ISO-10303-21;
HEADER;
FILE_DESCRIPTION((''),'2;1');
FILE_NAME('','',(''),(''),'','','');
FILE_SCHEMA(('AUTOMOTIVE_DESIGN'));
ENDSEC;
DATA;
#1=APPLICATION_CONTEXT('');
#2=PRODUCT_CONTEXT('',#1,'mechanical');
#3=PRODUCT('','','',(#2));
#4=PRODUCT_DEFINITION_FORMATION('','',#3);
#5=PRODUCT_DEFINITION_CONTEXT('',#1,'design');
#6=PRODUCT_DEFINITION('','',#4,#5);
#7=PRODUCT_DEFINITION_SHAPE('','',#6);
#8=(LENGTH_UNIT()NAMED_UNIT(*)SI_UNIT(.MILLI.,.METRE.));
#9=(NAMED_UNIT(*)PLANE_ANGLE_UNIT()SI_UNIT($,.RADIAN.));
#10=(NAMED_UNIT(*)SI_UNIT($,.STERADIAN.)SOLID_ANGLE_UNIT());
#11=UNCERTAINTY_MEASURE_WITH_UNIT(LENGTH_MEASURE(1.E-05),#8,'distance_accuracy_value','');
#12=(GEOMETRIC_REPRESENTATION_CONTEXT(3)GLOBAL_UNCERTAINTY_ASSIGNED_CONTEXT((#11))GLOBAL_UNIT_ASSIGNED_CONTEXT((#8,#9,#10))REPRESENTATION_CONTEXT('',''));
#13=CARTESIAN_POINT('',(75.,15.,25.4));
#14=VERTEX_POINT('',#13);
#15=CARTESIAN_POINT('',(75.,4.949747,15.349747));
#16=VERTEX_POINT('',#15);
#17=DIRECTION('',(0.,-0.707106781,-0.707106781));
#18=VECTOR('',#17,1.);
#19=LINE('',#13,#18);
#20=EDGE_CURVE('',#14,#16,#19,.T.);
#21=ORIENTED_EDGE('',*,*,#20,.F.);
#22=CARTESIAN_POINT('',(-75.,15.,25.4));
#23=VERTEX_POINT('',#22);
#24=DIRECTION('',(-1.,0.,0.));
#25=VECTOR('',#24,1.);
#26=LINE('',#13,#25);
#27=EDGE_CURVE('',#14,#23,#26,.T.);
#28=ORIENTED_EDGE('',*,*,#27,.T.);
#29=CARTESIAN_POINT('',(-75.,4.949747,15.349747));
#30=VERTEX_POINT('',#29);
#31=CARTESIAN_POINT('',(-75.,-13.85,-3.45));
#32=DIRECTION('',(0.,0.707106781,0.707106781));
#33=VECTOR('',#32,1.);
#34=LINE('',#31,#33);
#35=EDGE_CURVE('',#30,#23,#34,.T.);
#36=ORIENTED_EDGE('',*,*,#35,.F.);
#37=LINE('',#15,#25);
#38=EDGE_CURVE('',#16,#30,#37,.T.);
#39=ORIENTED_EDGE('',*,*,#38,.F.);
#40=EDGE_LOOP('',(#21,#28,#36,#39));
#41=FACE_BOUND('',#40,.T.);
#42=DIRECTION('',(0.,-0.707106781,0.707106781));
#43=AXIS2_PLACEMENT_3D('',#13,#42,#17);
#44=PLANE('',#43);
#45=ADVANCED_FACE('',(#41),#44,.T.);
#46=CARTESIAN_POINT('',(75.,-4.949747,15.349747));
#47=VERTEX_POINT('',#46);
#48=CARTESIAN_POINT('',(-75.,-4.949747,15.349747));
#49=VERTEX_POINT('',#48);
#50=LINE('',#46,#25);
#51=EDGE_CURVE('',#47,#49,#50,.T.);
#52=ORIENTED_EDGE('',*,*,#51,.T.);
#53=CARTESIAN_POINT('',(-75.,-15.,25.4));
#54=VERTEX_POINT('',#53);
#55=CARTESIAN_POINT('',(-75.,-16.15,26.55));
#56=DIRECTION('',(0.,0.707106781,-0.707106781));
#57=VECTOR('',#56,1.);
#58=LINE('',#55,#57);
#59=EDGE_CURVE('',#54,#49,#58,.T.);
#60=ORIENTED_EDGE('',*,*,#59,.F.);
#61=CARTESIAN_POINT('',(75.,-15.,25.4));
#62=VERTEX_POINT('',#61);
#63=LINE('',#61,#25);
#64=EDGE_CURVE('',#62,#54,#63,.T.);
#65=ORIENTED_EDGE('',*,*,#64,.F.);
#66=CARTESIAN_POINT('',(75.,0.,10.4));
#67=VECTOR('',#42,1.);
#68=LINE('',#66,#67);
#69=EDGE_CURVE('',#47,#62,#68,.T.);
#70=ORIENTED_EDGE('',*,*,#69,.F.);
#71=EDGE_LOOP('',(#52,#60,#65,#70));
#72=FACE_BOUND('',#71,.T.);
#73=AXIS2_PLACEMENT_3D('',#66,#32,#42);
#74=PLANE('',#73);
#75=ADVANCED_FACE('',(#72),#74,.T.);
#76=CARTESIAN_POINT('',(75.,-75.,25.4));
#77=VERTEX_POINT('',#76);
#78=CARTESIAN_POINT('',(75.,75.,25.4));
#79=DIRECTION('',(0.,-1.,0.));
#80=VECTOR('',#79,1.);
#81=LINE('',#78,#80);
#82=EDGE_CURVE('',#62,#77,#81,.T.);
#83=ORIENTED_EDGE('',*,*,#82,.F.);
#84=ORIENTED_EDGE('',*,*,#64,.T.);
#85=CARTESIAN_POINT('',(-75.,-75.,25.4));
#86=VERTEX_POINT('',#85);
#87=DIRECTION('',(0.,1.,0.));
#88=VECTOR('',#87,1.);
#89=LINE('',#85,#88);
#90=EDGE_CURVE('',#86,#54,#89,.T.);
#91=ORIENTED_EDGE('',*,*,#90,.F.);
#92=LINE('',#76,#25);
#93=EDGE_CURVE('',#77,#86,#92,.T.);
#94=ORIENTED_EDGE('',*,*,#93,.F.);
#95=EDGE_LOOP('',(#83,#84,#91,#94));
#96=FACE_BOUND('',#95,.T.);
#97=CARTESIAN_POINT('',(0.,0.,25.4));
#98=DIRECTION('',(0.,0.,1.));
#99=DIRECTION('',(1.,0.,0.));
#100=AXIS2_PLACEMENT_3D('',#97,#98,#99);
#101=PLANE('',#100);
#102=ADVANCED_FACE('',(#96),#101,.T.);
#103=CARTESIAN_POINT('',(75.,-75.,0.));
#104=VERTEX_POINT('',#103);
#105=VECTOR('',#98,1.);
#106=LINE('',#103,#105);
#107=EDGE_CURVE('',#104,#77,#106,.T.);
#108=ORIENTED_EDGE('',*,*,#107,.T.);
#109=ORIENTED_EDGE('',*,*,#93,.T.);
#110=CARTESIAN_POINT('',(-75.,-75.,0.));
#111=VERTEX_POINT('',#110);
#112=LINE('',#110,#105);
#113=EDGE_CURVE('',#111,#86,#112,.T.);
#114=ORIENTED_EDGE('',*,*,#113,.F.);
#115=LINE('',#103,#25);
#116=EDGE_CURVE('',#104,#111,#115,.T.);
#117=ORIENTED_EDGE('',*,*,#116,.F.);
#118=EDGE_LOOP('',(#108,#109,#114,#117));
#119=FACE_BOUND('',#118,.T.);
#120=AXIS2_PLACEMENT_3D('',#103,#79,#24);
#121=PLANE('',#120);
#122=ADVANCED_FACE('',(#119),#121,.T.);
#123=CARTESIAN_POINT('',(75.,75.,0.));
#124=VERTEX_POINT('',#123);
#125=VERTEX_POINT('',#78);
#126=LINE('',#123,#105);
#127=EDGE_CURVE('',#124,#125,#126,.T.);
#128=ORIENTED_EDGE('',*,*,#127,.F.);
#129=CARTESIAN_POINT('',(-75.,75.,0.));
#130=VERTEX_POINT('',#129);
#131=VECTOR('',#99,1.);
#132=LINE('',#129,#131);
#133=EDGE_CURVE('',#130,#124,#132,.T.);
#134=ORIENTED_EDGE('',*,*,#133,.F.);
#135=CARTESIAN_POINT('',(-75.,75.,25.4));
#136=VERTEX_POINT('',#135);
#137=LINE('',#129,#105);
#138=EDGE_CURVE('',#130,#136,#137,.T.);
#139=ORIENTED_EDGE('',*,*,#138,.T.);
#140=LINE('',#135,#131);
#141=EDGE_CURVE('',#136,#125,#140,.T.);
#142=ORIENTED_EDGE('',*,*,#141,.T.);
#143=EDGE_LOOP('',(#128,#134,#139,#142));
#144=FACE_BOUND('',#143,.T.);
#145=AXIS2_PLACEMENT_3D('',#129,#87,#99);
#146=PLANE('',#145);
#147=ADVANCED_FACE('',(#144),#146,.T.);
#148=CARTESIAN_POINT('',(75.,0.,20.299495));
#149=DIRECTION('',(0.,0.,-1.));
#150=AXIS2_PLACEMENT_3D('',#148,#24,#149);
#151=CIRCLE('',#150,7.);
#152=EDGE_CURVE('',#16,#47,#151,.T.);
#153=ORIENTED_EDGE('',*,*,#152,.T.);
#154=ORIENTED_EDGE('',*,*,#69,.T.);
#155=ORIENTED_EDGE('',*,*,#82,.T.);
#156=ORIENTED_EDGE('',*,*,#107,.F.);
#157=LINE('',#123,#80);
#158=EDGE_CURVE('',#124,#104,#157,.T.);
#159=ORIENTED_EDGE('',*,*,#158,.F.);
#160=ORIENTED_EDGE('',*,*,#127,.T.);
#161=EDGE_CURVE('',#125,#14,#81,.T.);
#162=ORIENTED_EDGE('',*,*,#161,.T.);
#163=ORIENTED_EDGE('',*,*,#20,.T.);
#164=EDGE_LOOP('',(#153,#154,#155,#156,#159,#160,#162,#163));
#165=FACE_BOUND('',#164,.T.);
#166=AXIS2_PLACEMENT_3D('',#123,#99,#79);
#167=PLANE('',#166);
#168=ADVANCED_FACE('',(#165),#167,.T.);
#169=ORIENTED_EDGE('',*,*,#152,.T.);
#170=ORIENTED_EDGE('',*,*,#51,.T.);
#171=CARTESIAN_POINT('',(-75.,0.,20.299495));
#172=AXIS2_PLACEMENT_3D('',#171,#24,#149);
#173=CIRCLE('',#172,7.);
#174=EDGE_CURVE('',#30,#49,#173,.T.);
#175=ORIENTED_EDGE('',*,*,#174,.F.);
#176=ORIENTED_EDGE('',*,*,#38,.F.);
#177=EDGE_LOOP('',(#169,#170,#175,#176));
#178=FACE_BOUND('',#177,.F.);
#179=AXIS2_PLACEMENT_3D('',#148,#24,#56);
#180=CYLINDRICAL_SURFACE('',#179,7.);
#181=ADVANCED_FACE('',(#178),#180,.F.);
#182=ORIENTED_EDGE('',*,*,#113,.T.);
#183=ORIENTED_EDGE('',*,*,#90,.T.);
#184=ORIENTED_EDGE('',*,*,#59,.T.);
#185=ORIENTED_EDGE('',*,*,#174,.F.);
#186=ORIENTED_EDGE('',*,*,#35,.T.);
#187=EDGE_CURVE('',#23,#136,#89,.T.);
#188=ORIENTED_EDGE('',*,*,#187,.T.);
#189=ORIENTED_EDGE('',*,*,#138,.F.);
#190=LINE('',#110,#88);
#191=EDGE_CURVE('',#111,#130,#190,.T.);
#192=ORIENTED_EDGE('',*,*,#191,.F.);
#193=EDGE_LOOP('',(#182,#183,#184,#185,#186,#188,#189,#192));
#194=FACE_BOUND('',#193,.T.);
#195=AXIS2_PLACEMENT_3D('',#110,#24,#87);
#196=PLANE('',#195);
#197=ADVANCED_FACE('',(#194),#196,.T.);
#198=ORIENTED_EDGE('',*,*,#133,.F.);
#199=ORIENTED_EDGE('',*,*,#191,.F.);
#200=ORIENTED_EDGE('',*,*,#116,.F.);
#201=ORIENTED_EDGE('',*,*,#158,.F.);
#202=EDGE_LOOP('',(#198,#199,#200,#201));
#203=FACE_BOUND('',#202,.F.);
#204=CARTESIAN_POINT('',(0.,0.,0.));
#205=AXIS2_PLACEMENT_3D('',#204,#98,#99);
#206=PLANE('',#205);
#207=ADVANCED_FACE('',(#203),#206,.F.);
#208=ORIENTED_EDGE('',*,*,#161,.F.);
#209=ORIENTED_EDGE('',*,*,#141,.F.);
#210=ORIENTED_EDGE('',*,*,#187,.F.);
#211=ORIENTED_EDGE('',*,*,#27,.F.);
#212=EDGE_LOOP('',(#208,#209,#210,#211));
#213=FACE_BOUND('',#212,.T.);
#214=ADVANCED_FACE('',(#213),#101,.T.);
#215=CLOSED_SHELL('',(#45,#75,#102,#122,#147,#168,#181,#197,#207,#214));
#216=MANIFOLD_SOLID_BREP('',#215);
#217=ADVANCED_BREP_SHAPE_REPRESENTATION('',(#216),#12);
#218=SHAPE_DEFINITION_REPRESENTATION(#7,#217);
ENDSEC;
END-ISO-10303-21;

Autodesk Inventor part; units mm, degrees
sketch "Boceto1" plane through (0, 0, 0) normal (0, 0, 1) x (1, 0, 0)
  line L0 (-75, 75) -> (75, 75)
  line L1 (75, 75) -> (75, -75)
  line L2 (75, -75) -> (-75, -75)
  line L3 (-75, -75) -> (-75, 75)
  line L4 (-75, 75) -> (75, -75) construction
  line L5 (75, 75) -> (-75, -75) construction
  point P0 (0, 0)
  dimension "d0" = 150
  dimension "d1" = 150
extrude "Extrusión1" add sketch "Boceto1" along normal blind 25.4
sketch "Boceto2" plane through (75, -75, 0) normal (1, 0, 0) x (0, 0, -1)
  line L0 (-25.4, 150) -> (-25.4, 0) projected
  line L1 (-25.4, 0) -> (-25.4, 150) projected
  line L2 (-25.4, 75) -> (-25.4, 60)
  line L3 (-25.4, 75) -> (-10.4, 75)
  line L4 (-10.4, 75) -> (-25.4, 60)
  line L5 (-25.4, 75) -> (-25.4, 90)
  line L6 (-25.4, 90) -> (-10.4, 75)
  point P0 (0, 75)
  dimension "d6" = 15
  dimension "d7" = 15
  dimension "d9" = 15
extrude "Extrusión2" cut sketch "Boceto2" against normal blind 165.25
fillet "Empalme1" radius 7 1 edges at (0, 0, 10.4)
properties part number "Placa - Grieta"
